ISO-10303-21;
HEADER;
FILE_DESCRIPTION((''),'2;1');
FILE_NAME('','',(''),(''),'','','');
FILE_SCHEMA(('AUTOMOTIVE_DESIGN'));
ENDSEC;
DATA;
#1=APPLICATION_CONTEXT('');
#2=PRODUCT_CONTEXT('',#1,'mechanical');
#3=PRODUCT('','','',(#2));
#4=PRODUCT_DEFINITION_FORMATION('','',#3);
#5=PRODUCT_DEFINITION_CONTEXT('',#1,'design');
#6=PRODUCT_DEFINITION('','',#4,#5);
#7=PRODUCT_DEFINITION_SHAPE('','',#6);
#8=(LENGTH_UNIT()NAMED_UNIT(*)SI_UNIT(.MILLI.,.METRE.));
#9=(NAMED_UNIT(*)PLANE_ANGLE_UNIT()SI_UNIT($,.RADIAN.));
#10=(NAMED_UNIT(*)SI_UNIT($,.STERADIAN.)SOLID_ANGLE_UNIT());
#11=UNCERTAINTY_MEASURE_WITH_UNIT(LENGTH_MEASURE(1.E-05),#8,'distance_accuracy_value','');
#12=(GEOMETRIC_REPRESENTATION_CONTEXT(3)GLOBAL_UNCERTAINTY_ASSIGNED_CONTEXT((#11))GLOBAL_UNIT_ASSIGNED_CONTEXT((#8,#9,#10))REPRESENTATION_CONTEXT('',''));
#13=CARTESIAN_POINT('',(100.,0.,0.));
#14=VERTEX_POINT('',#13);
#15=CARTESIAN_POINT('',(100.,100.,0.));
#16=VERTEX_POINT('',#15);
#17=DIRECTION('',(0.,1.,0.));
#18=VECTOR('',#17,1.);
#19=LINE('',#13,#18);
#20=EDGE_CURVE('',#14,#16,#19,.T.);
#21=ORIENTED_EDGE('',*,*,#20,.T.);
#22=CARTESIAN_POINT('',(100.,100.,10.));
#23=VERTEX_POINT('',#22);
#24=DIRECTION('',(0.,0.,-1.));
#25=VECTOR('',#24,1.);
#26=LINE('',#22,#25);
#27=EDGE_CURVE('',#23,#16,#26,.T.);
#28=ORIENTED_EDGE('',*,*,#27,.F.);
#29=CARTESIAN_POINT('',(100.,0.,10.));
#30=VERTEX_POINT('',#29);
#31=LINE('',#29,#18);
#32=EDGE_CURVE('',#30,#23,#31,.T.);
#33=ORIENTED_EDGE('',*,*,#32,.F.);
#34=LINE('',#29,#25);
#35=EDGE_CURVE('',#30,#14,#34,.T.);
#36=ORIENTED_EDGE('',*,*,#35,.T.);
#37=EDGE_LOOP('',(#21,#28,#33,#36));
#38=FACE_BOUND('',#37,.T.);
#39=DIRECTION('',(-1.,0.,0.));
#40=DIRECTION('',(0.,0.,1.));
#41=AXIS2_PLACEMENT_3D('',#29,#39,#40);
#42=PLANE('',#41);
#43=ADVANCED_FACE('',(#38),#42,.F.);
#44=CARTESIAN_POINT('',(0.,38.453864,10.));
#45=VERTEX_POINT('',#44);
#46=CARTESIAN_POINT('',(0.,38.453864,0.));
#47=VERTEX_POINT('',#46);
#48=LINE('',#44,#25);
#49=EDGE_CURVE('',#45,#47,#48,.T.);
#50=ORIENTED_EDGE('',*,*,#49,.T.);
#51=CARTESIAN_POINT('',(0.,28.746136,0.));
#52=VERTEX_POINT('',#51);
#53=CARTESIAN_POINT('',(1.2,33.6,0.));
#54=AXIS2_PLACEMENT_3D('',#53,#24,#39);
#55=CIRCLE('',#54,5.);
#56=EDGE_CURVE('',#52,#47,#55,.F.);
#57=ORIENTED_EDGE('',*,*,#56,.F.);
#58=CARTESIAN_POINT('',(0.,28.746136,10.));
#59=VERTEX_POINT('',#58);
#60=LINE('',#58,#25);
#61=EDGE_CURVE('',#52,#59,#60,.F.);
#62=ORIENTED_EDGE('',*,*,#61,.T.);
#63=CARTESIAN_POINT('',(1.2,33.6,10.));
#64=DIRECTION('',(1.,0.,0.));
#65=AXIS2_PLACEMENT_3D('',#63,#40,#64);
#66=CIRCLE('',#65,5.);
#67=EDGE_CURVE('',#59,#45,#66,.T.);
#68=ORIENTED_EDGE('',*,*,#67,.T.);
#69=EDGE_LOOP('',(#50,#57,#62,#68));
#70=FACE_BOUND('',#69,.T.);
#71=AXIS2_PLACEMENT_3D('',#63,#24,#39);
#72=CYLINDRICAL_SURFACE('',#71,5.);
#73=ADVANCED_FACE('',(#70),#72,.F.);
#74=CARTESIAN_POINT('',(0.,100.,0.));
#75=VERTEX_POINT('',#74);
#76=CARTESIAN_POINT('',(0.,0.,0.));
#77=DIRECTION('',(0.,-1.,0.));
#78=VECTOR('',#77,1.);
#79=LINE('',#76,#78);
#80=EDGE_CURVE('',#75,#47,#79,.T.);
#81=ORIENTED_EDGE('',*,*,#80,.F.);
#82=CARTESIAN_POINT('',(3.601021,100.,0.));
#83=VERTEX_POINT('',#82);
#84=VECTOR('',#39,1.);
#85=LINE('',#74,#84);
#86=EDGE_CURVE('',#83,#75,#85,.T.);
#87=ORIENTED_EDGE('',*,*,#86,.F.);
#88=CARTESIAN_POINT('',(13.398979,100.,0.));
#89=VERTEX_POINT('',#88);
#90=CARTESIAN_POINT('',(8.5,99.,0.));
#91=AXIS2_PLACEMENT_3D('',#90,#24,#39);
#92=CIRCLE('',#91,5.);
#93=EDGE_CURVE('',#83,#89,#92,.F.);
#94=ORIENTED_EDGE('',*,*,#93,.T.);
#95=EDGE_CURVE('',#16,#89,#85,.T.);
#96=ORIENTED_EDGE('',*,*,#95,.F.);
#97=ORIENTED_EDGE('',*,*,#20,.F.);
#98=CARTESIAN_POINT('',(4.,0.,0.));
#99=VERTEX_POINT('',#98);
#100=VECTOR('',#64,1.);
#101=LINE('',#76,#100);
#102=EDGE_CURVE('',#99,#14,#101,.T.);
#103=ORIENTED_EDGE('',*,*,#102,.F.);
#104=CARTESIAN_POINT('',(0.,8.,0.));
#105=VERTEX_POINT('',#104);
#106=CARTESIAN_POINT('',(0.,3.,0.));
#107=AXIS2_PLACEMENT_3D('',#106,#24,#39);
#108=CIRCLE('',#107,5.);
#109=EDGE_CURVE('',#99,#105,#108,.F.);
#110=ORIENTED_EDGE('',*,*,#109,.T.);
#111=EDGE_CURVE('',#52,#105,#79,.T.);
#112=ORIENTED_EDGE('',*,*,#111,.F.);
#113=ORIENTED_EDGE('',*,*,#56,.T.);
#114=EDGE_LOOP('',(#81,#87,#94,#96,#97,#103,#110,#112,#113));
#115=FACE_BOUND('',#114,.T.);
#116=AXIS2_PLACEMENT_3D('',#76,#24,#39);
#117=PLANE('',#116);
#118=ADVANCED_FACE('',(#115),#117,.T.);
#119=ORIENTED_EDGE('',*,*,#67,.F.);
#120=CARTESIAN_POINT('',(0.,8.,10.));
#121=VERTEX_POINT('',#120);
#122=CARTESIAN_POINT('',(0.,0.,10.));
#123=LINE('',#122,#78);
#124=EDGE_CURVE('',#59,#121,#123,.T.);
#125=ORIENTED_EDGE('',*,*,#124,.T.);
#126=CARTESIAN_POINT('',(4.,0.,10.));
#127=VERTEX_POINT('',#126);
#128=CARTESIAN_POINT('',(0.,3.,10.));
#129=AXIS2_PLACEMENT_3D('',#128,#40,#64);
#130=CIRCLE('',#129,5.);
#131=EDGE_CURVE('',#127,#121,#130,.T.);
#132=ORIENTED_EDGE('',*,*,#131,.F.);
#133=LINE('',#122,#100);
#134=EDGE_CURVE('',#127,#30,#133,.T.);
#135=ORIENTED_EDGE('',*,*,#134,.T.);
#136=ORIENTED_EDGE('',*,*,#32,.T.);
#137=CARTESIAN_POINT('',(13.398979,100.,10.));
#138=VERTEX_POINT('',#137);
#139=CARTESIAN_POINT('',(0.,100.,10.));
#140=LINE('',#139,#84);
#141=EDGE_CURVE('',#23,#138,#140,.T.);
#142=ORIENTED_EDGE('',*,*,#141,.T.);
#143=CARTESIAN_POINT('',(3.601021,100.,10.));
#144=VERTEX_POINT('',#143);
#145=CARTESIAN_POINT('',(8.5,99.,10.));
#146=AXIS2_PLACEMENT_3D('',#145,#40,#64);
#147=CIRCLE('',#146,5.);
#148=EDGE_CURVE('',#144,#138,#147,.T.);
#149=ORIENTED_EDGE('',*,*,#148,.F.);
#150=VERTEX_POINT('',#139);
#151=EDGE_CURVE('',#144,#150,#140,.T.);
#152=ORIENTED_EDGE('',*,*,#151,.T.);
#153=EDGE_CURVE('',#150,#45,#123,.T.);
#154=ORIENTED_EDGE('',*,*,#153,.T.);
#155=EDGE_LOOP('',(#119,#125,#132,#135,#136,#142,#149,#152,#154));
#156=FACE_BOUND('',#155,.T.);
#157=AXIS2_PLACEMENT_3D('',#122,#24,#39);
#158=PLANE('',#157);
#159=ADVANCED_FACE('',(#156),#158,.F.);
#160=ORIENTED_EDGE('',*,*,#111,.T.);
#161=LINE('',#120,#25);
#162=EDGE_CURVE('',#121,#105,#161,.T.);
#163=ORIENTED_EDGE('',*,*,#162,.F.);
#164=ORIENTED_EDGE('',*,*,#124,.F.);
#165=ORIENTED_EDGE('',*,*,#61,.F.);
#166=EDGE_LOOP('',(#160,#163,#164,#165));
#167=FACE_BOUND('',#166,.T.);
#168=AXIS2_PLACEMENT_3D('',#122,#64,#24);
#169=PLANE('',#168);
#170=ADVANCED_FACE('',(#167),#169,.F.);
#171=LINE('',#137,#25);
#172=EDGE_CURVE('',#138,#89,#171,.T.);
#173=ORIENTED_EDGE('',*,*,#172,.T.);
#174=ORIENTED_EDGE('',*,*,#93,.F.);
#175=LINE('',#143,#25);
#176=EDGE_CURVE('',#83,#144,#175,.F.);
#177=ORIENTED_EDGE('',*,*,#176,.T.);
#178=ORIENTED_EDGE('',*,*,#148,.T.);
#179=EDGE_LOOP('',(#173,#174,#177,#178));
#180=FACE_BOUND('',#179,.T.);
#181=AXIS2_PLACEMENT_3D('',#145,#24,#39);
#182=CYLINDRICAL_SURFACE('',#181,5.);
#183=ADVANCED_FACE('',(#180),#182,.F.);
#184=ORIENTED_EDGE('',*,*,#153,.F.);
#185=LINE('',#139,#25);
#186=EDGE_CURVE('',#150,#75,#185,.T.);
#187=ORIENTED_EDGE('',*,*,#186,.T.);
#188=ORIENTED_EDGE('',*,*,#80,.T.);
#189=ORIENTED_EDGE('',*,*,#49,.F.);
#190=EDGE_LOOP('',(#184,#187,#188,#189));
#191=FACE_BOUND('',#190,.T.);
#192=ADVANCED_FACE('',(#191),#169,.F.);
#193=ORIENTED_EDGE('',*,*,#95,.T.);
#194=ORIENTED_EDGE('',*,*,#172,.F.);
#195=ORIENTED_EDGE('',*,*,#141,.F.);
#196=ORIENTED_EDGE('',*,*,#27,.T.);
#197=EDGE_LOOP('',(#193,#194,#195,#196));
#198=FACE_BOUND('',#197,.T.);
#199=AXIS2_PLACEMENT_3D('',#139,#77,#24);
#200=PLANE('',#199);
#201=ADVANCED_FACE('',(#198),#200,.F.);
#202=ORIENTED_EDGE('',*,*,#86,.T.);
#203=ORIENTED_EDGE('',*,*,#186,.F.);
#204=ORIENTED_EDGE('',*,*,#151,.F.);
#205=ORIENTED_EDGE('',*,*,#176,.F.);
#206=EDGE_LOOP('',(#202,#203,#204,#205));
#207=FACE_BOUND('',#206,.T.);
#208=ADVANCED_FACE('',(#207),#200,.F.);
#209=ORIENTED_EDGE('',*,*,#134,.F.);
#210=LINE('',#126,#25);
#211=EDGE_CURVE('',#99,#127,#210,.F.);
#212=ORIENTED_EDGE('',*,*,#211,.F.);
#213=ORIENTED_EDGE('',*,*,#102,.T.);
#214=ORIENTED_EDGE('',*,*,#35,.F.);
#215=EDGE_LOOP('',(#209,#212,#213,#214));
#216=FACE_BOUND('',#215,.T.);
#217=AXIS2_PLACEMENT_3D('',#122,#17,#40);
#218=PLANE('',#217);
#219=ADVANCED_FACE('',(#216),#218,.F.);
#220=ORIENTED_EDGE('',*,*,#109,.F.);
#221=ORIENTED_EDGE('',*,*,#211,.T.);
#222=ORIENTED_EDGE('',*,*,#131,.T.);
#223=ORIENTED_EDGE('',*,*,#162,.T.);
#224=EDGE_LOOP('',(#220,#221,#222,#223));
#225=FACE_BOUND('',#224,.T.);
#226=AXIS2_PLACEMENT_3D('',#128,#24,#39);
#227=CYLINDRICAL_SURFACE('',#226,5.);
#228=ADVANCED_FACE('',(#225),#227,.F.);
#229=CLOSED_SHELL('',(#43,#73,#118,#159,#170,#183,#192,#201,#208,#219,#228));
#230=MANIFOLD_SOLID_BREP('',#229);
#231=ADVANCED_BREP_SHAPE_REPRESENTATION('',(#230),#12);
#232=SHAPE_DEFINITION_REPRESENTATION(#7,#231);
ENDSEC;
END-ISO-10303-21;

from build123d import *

# Parameters (mm, degrees)
SKETCH_1_W          = 100
SKETCH_1_H          = 100
EXTRUDE_1_DEPTH     = 10
SKETCH_2_R          = 5
CUT_EXTRUDE_1_DEPTH = 10
SKETCH_3_R          = 5
CUT_EXTRUDE_2_DEPTH = 10
SKETCH_4_R          = 5
CUT_EXTRUDE_3_DEPTH = 10


with BuildPart() as part:
    # Эскиз1 → Бобышка-Вытянуть1 (new body)
    with BuildSketch(Plane.XY):
        with Locations((50, 50)):
            Rectangle(SKETCH_1_W, SKETCH_1_H)
    extrude(amount=EXTRUDE_1_DEPTH)

    # Эскиз2 → Вырез-Вытянуть1 (cut)
    with BuildSketch(Plane.XY):
        with Locations((0, 3)):
            Circle(SKETCH_2_R)
    extrude(amount=CUT_EXTRUDE_1_DEPTH, mode=Mode.SUBTRACT)

    # Эскиз3 → Вырез-Вытянуть2 (cut)
    with BuildSketch(Plane.XY):
        with Locations((1.2, 33.6)):
            Circle(SKETCH_3_R)
    extrude(amount=CUT_EXTRUDE_2_DEPTH, mode=Mode.SUBTRACT)

    # Эскиз4 → Вырез-Вытянуть3 (cut)
    with BuildSketch(Plane.XY):
        with Locations((8.5, 99)):
            Circle(SKETCH_4_R)
    extrude(amount=CUT_EXTRUDE_3_DEPTH, mode=Mode.SUBTRACT)


solid = part.part
